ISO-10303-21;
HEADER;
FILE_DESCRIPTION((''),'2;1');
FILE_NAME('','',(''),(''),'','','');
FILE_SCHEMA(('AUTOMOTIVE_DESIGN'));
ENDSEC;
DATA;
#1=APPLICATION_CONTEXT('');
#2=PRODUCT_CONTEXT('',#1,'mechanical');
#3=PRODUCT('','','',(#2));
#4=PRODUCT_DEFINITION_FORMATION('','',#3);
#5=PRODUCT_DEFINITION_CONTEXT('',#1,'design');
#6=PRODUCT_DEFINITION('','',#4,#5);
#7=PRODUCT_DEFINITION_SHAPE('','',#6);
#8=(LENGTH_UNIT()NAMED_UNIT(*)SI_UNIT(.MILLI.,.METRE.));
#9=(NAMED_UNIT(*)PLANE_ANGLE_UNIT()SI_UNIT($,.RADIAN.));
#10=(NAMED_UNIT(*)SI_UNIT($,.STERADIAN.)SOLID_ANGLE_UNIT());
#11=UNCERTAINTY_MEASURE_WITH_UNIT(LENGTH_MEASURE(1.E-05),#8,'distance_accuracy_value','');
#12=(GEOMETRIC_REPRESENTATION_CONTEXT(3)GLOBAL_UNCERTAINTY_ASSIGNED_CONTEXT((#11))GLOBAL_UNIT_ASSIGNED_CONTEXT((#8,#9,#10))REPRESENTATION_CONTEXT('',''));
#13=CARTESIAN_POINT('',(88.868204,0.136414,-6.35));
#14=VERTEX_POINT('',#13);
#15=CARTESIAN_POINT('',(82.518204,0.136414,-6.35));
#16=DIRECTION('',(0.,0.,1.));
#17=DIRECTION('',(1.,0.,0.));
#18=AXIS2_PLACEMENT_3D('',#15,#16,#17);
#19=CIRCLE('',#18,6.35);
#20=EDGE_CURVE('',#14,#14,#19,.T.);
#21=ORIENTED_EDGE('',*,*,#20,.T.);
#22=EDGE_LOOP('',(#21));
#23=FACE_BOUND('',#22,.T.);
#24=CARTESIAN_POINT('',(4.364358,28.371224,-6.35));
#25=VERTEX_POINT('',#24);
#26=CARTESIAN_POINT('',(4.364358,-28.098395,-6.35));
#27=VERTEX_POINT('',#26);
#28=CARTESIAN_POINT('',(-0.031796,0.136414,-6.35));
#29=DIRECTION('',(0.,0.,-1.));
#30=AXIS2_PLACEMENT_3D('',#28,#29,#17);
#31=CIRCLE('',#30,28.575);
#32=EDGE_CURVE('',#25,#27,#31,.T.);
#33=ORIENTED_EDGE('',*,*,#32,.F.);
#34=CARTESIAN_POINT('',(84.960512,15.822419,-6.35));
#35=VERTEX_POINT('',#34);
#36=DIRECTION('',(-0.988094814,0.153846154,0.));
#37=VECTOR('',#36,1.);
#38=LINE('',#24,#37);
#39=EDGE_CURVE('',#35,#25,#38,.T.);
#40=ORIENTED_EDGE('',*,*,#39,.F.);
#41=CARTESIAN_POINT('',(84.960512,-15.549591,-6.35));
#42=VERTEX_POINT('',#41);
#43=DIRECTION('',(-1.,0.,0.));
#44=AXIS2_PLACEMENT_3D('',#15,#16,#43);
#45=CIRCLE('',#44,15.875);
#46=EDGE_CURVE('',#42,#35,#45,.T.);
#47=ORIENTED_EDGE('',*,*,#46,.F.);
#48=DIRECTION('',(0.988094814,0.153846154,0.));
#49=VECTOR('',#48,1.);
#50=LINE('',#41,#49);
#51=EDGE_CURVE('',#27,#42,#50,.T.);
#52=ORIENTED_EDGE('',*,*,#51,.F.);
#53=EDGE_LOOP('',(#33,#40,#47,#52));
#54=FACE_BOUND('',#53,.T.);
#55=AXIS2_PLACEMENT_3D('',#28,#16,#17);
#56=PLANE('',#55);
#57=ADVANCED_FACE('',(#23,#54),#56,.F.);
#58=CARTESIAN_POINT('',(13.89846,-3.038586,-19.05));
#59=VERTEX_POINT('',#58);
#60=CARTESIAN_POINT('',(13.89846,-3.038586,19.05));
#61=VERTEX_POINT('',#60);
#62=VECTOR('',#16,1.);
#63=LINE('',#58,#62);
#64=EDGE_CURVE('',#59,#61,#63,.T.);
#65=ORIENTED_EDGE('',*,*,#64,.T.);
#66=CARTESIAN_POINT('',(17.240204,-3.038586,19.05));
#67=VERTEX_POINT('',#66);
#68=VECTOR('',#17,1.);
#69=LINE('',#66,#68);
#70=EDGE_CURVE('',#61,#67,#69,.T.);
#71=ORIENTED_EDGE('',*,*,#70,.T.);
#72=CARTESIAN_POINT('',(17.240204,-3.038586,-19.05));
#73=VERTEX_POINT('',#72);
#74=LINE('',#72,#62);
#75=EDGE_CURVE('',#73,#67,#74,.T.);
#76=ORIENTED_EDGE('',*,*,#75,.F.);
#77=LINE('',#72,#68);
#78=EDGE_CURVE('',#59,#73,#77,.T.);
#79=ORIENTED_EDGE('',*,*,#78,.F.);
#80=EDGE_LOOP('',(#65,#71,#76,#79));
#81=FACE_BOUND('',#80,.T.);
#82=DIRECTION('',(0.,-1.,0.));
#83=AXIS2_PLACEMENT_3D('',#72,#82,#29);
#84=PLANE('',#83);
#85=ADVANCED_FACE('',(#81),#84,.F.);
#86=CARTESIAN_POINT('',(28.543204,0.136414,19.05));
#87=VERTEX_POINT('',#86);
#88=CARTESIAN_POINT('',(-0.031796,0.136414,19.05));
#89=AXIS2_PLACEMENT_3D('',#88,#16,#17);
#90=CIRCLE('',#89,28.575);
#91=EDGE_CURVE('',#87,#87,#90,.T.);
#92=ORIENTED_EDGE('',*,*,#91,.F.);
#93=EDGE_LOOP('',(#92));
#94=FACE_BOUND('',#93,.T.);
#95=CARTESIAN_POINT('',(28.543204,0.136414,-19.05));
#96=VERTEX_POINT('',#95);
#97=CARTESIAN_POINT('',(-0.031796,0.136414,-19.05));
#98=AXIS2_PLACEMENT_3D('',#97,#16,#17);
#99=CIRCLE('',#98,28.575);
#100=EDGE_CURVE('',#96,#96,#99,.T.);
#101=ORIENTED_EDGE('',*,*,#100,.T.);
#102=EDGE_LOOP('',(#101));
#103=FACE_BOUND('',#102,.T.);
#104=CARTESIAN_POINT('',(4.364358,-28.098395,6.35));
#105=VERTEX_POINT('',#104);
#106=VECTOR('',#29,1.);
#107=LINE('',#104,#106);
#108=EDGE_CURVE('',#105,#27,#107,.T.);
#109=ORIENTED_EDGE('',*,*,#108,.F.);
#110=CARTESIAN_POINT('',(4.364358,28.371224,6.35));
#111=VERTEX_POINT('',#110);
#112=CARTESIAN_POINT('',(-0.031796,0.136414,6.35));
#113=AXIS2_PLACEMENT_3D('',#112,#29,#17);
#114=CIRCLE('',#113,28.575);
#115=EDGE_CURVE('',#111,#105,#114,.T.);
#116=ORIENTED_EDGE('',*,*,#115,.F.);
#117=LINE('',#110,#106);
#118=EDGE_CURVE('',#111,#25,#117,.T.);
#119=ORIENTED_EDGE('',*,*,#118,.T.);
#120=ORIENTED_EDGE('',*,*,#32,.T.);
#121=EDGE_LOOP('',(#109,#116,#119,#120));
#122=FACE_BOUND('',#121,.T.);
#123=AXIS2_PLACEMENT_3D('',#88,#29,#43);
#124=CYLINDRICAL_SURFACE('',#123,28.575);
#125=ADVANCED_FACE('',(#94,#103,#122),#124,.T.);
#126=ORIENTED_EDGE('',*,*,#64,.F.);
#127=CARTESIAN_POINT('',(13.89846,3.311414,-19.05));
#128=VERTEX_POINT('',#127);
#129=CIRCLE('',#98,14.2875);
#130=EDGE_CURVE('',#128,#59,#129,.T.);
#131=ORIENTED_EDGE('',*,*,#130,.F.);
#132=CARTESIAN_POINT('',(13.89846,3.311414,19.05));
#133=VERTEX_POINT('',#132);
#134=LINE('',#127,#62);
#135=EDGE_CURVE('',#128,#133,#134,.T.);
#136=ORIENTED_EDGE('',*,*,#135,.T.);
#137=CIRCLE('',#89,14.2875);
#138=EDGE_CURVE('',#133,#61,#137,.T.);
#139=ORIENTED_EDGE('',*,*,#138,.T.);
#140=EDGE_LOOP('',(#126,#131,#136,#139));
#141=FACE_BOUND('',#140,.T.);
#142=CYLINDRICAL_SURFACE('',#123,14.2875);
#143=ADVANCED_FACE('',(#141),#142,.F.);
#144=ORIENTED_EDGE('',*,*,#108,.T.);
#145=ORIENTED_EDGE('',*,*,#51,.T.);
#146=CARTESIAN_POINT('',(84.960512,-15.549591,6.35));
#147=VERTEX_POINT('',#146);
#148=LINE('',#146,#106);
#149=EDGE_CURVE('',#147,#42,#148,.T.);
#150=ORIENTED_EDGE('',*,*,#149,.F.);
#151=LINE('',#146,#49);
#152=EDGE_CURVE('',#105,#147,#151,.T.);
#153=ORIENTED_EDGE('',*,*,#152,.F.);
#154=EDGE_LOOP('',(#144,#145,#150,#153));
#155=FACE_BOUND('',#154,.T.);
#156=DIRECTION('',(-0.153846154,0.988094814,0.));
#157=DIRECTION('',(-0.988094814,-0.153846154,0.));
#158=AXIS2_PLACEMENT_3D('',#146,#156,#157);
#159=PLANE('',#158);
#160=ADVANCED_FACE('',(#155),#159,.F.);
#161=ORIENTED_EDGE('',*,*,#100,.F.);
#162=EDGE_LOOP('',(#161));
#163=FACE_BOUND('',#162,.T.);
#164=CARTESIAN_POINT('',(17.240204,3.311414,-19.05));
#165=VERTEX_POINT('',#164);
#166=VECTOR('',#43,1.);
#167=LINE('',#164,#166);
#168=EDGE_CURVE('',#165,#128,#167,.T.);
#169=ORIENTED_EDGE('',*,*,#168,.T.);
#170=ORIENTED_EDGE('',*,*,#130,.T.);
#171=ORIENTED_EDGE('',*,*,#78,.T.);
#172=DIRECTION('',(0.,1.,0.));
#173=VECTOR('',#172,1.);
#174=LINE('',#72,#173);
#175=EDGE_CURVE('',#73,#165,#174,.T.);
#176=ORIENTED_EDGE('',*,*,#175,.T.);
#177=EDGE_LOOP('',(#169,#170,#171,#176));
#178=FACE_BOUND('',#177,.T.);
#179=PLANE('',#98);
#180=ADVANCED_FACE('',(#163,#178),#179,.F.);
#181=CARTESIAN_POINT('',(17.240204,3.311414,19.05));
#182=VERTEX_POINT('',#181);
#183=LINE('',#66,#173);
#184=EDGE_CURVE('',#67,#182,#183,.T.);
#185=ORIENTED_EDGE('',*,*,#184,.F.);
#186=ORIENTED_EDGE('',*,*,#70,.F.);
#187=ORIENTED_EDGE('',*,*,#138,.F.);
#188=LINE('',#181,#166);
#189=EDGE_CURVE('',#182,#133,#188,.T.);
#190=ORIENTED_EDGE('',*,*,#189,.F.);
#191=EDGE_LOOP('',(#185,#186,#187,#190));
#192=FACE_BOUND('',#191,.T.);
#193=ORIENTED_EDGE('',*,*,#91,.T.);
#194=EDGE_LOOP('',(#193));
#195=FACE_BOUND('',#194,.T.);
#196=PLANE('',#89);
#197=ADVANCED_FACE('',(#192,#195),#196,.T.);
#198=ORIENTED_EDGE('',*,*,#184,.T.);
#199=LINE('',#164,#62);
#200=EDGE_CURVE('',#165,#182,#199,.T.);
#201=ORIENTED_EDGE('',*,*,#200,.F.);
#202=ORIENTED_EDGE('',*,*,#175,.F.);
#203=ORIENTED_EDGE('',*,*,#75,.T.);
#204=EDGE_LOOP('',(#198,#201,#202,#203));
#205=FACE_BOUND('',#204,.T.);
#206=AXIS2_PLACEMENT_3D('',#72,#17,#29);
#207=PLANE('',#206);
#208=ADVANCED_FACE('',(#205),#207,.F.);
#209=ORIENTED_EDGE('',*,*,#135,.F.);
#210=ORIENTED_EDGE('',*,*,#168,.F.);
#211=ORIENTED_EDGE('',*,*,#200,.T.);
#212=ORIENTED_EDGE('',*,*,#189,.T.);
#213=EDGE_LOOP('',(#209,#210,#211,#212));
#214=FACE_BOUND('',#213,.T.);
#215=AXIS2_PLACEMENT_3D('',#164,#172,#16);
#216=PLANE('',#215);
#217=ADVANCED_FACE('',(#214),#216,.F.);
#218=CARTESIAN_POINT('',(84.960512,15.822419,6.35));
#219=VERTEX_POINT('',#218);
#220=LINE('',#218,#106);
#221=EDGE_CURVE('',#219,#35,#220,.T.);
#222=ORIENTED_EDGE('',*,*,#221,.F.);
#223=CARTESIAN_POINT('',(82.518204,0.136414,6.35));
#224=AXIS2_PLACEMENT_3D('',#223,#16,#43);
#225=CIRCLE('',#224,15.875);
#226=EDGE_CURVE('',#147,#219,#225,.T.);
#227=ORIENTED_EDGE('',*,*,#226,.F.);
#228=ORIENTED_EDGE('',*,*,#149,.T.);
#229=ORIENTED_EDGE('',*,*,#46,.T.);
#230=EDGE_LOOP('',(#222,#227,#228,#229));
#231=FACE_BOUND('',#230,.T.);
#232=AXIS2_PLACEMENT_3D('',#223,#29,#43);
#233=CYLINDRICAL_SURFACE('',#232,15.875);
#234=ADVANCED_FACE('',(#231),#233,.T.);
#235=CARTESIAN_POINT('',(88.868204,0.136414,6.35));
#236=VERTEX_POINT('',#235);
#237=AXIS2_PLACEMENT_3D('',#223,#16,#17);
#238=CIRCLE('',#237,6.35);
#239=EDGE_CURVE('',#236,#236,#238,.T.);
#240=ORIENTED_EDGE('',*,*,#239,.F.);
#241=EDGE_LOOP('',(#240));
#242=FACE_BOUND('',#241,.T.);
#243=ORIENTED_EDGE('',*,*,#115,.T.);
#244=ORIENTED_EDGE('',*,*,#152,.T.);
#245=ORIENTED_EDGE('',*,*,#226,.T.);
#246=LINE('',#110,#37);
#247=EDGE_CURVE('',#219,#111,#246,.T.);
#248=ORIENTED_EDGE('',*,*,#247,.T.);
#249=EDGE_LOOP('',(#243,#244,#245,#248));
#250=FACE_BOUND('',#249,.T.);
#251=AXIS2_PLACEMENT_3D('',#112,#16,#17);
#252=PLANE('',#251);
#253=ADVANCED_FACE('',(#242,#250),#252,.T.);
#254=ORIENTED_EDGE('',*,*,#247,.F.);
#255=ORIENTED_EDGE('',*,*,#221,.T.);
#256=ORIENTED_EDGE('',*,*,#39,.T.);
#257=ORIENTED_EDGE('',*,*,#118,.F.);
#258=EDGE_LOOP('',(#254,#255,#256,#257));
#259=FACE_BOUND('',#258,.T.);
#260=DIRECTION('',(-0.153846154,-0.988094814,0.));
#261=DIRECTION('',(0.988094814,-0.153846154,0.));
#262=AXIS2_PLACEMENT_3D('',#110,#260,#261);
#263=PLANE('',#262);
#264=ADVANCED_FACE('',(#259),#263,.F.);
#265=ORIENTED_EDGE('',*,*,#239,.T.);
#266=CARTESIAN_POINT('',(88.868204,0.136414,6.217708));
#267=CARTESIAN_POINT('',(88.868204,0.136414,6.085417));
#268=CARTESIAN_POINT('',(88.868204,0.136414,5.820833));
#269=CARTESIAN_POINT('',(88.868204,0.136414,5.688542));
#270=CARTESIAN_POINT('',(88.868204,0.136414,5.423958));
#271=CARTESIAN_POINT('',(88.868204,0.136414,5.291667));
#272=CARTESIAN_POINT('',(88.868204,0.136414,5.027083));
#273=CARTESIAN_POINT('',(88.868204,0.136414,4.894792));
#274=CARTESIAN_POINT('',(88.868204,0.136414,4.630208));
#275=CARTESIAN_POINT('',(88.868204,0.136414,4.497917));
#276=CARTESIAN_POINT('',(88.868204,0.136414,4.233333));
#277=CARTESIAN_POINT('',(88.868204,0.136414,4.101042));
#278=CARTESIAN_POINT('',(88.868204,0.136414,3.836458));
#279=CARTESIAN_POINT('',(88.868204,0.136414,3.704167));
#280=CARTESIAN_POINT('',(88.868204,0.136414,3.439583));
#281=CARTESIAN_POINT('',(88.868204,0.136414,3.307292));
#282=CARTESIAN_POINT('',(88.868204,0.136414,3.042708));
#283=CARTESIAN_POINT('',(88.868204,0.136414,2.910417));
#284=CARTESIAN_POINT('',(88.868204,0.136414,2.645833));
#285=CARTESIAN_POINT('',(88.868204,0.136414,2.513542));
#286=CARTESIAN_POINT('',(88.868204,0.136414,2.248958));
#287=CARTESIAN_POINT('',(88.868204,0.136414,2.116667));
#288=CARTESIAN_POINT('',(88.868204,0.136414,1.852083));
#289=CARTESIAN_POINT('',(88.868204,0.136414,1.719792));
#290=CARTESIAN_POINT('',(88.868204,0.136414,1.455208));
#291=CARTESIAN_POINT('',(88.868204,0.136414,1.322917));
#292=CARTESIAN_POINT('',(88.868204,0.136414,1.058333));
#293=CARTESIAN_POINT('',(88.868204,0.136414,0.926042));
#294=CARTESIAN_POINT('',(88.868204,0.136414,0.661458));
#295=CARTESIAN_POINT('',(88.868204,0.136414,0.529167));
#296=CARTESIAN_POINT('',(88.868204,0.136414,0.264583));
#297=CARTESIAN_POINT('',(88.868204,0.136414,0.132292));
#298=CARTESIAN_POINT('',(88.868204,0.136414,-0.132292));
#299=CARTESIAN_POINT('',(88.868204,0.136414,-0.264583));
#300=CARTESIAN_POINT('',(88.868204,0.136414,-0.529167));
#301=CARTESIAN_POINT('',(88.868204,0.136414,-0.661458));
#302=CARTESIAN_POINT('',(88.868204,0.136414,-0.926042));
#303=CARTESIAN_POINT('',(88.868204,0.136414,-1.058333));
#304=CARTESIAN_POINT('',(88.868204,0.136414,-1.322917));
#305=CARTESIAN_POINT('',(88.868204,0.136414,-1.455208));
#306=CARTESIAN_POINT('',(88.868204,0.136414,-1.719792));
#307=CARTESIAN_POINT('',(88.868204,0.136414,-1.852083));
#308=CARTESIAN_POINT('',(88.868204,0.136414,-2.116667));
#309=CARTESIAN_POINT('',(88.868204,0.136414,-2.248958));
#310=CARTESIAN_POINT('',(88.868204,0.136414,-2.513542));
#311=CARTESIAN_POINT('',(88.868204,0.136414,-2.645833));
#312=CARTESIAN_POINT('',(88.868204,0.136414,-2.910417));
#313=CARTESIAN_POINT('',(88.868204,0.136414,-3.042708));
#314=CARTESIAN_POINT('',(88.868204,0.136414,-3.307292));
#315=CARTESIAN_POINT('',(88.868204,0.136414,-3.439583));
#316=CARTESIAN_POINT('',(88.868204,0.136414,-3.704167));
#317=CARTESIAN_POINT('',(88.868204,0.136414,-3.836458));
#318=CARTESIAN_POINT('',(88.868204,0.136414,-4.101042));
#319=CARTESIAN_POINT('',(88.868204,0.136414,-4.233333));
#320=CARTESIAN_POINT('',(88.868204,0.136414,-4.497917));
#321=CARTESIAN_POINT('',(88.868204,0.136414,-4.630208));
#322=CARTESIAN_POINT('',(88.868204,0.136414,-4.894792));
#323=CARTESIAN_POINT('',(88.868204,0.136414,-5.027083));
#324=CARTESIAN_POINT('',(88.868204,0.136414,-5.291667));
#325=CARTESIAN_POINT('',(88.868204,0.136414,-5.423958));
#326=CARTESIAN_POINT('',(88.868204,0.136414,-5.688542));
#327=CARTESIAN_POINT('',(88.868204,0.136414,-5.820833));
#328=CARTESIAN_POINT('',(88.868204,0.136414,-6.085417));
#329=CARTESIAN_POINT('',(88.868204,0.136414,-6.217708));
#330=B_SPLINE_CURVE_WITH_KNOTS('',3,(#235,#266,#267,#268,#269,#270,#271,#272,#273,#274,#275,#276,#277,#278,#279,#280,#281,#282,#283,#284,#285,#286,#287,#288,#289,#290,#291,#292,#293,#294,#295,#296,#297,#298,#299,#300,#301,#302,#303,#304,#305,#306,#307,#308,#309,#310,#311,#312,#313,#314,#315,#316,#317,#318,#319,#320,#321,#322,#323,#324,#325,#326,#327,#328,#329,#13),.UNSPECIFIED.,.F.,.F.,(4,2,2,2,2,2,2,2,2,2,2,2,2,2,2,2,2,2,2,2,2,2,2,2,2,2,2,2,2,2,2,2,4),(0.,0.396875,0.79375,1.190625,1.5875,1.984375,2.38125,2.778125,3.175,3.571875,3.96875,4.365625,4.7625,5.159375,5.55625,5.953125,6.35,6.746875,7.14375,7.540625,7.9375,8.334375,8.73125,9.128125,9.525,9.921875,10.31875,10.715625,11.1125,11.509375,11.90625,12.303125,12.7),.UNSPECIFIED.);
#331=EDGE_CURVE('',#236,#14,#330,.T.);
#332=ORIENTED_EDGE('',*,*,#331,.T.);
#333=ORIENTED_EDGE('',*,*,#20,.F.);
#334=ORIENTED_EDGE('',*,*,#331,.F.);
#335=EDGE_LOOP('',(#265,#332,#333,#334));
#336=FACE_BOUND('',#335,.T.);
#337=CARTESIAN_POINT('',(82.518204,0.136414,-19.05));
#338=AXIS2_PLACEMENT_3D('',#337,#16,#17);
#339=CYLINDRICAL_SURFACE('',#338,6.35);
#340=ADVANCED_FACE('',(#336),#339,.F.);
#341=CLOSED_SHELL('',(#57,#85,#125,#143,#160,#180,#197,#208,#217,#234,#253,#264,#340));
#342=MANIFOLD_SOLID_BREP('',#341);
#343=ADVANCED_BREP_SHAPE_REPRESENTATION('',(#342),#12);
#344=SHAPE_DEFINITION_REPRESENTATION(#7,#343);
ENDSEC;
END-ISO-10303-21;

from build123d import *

# Parameters (mm, degrees)
SKETCH2_R               = 28.575
SKETCH2_R_2             = 14.2875
BOSS_EXTRUDE1_DEPTH     = 19.05
BOSS_EXTRUDE3_DEPTH     = 6.35
CUT_EXTRUDE3_DEPTH      = 105.251956428
CUT_EXTRUDE3_DEPTH_BACK = 105.251956428
SKETCH6_R               = 6.35
SKETCH6_W               = 3.341744035
SKETCH6_H               = 6.35


with BuildPart() as part:
    # Sketch2 → Boss-Extrude1 (new, symmetric)
    with BuildSketch(Plane.XY):
        with Locations(Location((-0.0317959, 0.136414209, 0), (0, 0, 180))):
            Circle(SKETCH2_R)
        with Locations(Location((-0.0317959, 0.136414209, 0), (0, 0, 180))):
            Circle(SKETCH2_R_2, mode=Mode.SUBTRACT)
    extrude(amount=BOSS_EXTRUDE1_DEPTH, both=True)

    # Sketch5 → Boss-Extrude3 (add, symmetric)
    with BuildSketch(Plane.XY):
        with BuildLine():
            Line((4.364357946, 28.371223512), (84.960511793, 15.822419377))
            ThreePointArc((84.960511793, 15.822419377), (98.3932041, 0.136414209), (84.960511793, -15.549590959))
            Line((84.960511793, -15.549590959), (4.364357946, -28.098395094))
            ThreePointArc((4.364357946, -28.098395094), (28.5432041, 0.136414209), (4.364357946, 28.371223512))
        make_face()
    extrude(amount=BOSS_EXTRUDE3_DEPTH, both=True)

    # Sketch6 → Cut-Extrude3 (cut, two sides: drawn at the far end of the back side and taken through both)
    with BuildSketch(Plane.XY.offset(-CUT_EXTRUDE3_DEPTH_BACK)):
        with Locations((82.5182041, 0.136414209)):
            Circle(SKETCH6_R)
        with Locations((15.569332083, 0.136414209)):
            Rectangle(SKETCH6_W, SKETCH6_H)
    extrude(amount=CUT_EXTRUDE3_DEPTH + CUT_EXTRUDE3_DEPTH_BACK, mode=Mode.SUBTRACT)


solid = part.part
